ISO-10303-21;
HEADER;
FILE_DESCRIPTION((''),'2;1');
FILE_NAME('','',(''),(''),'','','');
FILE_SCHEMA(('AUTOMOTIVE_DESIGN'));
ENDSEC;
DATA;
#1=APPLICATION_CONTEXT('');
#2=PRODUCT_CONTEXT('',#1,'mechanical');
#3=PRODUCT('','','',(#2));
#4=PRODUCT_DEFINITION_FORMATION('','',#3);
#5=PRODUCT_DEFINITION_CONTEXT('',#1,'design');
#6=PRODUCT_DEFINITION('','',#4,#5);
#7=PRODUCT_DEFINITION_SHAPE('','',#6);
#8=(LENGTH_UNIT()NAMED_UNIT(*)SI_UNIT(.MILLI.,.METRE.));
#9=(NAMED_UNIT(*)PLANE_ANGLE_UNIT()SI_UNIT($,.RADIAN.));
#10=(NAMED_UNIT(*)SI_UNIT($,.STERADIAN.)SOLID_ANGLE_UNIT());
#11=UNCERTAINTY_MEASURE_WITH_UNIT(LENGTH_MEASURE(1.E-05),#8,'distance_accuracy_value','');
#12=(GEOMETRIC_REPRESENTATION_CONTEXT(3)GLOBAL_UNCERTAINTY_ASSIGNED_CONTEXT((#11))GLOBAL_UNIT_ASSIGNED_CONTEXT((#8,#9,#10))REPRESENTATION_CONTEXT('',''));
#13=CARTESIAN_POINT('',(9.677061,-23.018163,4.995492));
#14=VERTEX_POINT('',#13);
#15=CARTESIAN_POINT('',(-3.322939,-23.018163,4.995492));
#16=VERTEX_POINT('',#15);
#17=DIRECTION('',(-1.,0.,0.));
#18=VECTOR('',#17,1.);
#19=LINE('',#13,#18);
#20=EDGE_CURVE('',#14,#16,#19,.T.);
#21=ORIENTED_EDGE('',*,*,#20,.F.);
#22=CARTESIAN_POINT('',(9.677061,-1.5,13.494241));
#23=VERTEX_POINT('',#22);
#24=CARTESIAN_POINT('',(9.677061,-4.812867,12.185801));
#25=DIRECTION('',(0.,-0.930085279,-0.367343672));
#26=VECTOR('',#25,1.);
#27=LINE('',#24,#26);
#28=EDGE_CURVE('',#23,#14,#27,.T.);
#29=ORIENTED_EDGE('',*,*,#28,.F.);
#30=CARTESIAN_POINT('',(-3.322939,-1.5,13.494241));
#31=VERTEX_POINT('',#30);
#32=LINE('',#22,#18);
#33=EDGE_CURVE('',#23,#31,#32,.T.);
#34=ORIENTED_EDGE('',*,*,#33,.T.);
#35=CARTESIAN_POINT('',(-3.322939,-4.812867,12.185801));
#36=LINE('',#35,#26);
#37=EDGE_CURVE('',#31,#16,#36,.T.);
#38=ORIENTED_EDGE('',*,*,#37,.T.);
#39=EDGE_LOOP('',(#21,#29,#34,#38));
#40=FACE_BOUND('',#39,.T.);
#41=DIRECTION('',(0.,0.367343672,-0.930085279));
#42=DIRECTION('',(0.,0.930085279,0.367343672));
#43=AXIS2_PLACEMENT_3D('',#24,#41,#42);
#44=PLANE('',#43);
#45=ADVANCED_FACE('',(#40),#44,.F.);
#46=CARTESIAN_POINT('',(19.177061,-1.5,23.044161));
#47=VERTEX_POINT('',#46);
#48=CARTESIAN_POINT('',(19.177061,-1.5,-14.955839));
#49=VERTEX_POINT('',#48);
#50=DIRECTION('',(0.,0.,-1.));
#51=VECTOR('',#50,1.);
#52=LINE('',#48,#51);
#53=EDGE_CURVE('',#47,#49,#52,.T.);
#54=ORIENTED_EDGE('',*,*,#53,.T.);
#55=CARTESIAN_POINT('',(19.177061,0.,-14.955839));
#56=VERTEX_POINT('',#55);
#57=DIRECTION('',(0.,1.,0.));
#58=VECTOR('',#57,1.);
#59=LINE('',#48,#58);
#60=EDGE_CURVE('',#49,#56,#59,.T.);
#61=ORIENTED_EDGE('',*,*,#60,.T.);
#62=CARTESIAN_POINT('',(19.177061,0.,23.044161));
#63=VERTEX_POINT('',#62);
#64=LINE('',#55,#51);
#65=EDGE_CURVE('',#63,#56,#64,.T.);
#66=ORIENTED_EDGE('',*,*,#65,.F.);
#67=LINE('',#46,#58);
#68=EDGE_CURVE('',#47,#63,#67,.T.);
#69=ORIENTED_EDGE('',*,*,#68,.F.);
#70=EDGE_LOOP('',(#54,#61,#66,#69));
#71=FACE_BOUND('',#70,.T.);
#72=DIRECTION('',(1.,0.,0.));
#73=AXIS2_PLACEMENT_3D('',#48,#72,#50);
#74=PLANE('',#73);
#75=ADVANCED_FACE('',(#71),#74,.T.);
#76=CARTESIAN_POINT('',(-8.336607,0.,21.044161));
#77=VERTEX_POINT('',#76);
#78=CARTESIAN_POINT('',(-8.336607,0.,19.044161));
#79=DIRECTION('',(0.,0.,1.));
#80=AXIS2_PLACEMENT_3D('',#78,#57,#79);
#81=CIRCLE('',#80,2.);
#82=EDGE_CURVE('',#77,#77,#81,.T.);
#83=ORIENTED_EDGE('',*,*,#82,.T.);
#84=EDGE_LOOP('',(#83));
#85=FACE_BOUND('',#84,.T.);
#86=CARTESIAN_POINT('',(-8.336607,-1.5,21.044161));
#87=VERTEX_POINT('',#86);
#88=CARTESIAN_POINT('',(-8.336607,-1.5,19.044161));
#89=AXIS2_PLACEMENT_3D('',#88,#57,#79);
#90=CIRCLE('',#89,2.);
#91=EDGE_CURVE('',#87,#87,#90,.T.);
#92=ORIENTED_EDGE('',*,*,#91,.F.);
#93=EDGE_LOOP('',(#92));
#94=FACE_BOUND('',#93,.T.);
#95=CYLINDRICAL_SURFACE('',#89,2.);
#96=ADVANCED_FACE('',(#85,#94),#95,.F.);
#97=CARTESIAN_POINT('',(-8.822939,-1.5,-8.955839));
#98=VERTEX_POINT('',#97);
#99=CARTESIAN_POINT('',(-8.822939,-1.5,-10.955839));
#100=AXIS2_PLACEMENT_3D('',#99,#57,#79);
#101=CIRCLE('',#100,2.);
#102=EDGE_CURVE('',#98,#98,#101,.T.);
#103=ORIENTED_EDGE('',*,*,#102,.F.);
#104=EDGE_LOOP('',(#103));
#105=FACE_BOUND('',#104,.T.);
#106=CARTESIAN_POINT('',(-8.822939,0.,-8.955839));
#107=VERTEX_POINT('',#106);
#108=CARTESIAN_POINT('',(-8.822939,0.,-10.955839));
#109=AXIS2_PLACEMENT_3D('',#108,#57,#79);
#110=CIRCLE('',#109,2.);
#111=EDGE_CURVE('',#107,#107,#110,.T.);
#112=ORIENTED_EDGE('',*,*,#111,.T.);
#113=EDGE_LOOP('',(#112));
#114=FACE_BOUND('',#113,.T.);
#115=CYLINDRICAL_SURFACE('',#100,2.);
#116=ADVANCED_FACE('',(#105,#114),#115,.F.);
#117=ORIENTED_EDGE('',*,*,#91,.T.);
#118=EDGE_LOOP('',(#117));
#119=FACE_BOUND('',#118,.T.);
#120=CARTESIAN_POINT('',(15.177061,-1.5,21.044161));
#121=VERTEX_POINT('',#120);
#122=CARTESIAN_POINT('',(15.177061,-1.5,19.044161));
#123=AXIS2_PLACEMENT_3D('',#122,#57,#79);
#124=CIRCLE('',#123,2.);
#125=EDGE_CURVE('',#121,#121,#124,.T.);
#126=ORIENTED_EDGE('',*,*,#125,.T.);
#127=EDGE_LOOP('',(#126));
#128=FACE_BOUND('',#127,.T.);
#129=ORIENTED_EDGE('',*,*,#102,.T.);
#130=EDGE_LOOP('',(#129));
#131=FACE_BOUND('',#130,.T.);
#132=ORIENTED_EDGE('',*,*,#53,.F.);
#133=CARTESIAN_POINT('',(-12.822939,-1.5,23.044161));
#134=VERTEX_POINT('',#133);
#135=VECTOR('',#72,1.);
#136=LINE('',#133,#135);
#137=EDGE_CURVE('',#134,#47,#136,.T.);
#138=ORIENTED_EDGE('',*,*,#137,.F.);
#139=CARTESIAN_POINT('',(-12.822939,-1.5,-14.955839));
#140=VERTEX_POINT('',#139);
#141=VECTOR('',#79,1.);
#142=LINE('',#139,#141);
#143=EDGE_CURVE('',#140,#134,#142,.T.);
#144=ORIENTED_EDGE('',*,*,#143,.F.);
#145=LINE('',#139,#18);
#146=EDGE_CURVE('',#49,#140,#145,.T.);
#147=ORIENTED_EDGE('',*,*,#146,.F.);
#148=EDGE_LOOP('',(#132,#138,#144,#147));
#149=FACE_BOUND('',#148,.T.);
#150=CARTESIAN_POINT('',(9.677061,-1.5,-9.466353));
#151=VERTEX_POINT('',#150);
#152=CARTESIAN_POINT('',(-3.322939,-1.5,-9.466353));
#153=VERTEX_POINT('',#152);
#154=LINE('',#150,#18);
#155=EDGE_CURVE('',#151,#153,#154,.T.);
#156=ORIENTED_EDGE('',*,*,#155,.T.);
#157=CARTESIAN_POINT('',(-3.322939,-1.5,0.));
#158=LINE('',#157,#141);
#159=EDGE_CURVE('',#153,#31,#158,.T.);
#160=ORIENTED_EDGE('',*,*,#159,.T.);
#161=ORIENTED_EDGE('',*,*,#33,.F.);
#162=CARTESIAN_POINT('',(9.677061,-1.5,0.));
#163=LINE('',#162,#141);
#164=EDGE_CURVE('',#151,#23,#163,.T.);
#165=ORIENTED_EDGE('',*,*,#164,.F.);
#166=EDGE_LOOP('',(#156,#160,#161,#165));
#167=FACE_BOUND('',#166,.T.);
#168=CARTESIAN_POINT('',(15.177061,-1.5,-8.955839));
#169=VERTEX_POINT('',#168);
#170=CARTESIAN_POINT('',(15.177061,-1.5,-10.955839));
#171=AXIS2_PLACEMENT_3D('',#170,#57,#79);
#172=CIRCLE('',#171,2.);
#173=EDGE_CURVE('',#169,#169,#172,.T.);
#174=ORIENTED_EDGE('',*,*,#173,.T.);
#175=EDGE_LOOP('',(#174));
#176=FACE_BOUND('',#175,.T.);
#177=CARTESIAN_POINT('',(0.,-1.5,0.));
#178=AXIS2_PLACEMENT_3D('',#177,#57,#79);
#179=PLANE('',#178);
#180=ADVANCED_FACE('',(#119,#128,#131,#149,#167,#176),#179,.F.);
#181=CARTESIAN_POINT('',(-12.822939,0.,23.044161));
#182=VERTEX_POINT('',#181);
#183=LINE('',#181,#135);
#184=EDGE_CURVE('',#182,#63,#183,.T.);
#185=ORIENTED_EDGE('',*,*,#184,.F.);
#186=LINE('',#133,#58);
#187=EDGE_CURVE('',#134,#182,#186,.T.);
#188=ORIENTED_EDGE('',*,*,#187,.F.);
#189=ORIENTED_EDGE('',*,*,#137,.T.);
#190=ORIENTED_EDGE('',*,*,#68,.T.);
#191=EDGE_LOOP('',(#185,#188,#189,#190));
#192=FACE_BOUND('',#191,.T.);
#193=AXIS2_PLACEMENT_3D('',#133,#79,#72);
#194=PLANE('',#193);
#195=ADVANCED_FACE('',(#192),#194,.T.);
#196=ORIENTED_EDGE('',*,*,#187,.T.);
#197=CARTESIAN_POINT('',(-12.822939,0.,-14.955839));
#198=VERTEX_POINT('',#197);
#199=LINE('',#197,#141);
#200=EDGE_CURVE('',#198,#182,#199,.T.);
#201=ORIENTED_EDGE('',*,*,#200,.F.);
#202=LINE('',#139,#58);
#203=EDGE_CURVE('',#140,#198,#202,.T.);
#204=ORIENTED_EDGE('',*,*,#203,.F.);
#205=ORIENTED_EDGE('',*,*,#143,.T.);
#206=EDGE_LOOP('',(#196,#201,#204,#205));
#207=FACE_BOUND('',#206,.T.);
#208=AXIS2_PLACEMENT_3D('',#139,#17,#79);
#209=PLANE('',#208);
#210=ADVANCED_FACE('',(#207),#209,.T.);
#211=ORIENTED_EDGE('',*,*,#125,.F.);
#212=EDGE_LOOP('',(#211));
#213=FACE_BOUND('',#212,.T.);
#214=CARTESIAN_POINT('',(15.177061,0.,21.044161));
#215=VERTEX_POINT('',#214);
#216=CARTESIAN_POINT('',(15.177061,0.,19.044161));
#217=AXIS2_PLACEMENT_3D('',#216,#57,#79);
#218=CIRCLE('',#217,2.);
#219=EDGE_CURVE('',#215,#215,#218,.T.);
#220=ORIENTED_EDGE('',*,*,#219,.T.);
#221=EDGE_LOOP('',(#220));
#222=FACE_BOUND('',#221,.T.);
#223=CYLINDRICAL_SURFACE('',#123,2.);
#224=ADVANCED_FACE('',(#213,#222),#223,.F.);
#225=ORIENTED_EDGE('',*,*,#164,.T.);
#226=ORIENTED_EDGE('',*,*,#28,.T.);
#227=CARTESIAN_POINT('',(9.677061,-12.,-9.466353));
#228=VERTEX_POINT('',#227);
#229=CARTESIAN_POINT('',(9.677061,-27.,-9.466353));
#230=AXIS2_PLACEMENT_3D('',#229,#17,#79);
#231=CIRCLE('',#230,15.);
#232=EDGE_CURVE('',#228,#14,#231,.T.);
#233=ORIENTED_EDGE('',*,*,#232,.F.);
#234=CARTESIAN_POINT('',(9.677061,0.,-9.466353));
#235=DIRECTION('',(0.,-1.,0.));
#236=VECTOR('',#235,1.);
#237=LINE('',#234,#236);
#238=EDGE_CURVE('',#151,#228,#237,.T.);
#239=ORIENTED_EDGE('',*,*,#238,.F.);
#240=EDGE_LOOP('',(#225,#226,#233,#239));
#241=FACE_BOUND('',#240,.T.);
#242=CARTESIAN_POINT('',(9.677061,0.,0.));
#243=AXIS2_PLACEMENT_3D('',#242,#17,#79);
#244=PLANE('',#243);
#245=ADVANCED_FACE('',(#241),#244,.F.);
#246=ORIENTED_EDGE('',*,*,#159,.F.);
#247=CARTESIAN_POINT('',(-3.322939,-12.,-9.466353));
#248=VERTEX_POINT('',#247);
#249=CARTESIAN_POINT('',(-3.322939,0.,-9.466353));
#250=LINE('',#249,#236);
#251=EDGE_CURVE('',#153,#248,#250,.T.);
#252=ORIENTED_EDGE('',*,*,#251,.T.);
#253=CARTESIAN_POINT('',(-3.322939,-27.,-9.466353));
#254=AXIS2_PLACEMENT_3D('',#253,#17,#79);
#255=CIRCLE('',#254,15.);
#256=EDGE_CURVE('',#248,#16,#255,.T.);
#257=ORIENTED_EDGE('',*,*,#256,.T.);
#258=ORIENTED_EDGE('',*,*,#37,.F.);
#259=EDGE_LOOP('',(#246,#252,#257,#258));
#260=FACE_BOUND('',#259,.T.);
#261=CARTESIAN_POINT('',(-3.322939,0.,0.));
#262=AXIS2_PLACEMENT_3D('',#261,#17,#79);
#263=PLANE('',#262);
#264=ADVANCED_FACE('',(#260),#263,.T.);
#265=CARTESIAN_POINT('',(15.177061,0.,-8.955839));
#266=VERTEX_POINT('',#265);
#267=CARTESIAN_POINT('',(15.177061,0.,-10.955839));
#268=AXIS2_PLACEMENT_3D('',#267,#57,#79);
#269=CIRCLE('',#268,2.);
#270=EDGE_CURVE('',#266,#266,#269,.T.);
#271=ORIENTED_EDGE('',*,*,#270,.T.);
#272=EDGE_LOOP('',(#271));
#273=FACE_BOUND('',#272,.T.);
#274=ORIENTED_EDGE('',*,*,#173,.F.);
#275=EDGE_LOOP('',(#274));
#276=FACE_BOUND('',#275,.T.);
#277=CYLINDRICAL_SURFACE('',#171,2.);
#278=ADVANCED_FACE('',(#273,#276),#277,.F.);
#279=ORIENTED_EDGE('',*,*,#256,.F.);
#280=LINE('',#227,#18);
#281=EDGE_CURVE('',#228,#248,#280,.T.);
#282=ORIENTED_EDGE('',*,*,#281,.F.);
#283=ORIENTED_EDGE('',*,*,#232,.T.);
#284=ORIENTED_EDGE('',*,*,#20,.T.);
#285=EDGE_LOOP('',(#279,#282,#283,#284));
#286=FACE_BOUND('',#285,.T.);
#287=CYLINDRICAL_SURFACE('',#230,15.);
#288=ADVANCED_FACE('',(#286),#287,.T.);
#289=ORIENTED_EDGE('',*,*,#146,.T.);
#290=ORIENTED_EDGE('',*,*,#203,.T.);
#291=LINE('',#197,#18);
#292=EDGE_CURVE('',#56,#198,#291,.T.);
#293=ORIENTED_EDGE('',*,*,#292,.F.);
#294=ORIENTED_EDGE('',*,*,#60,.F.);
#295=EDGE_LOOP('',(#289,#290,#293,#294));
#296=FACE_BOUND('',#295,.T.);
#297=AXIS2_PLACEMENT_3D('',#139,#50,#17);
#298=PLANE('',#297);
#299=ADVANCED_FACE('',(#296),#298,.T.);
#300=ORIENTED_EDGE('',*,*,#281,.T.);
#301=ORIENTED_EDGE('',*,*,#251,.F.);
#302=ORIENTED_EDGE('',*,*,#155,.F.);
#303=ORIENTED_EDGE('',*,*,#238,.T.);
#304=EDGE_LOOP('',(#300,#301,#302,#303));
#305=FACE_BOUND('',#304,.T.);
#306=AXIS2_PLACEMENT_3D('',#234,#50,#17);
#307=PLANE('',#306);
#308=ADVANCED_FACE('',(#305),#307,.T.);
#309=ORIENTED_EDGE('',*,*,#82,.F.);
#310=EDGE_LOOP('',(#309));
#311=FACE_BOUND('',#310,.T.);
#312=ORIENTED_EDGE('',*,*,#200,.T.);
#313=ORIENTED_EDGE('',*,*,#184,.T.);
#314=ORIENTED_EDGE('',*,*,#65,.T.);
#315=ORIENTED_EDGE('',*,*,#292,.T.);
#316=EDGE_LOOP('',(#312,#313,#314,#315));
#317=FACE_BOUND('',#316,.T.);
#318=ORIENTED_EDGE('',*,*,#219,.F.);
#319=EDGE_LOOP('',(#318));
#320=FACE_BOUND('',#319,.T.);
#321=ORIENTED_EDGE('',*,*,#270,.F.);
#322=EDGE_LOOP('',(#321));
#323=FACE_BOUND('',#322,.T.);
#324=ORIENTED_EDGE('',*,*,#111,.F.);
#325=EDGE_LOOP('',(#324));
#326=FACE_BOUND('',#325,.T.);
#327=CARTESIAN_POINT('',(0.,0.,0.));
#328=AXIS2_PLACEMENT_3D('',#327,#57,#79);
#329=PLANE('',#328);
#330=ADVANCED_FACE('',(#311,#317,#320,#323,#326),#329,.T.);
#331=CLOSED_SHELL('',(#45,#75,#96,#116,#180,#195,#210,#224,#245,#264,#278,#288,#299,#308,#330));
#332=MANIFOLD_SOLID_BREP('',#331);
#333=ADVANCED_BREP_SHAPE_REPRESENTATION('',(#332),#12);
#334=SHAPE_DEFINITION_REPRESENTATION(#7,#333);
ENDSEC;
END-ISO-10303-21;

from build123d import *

# Parameters (mm, degrees)
SKETCH1_W                = 32
SKETCH1_H                = 38
SKETCH1_R                = 2
BOSS_EXTRUDE1_DEPTH      = 1.5
BOSS_EXTRUDE2_DEPTH      = 6.5
BOSS_EXTRUDE2_DEPTH_BACK = 6.5
SKETCH2_R                = 15


with BuildPart() as part:
    # Sketch1 → Boss-Extrude1 (new body)
    with BuildSketch(Plane(origin=(0, 0, 0), x_dir=(1, 0, 0), z_dir=(0, 1, 0))):
        with Locations((3.177060701, -4.044161192)):
            Rectangle(SKETCH1_W, SKETCH1_H)
        with Locations(Location((-8.822939299, 10.955838808, 0), (0, 0, 270))):
            Circle(SKETCH1_R, mode=Mode.SUBTRACT)
        with Locations(Location((15.177060701, 10.955838808, 0), (0, 0, 270))):
            Circle(SKETCH1_R, mode=Mode.SUBTRACT)
        with Locations(Location((15.177060701, -19.044161192, 0), (0, 0, 270))):
            Circle(SKETCH1_R, mode=Mode.SUBTRACT)
        with Locations(Location((-8.33660746, -19.044161192, 0), (0, 0, 270))):
            Circle(SKETCH1_R, mode=Mode.SUBTRACT)
    extrude(amount=-BOSS_EXTRUDE1_DEPTH)

    # Sketch2 → Boss-Extrude2 (add, two sides: drawn at the far end of the back side and taken through both)
    with BuildSketch(Plane.ZY.offset(-3.177060701).offset(-BOSS_EXTRUDE2_DEPTH_BACK)):
        with Locations((-9.466353074, -27)):
            Circle(SKETCH2_R)
        with BuildLine():
            Line((13.494241004, -1.5), (-9.466353074, -1.5))
            Line((-9.466353074, -1.5), (-9.466353074, -12))
            ThreePointArc((-9.466353074, -12), (-0.375906326, -15.068370693), (4.99549237, -23.018162943))
            Line((4.99549237, -23.018162943), (13.494241004, -1.5))
        make_face()
    extrude(amount=BOSS_EXTRUDE2_DEPTH + BOSS_EXTRUDE2_DEPTH_BACK)


solid = part.part
